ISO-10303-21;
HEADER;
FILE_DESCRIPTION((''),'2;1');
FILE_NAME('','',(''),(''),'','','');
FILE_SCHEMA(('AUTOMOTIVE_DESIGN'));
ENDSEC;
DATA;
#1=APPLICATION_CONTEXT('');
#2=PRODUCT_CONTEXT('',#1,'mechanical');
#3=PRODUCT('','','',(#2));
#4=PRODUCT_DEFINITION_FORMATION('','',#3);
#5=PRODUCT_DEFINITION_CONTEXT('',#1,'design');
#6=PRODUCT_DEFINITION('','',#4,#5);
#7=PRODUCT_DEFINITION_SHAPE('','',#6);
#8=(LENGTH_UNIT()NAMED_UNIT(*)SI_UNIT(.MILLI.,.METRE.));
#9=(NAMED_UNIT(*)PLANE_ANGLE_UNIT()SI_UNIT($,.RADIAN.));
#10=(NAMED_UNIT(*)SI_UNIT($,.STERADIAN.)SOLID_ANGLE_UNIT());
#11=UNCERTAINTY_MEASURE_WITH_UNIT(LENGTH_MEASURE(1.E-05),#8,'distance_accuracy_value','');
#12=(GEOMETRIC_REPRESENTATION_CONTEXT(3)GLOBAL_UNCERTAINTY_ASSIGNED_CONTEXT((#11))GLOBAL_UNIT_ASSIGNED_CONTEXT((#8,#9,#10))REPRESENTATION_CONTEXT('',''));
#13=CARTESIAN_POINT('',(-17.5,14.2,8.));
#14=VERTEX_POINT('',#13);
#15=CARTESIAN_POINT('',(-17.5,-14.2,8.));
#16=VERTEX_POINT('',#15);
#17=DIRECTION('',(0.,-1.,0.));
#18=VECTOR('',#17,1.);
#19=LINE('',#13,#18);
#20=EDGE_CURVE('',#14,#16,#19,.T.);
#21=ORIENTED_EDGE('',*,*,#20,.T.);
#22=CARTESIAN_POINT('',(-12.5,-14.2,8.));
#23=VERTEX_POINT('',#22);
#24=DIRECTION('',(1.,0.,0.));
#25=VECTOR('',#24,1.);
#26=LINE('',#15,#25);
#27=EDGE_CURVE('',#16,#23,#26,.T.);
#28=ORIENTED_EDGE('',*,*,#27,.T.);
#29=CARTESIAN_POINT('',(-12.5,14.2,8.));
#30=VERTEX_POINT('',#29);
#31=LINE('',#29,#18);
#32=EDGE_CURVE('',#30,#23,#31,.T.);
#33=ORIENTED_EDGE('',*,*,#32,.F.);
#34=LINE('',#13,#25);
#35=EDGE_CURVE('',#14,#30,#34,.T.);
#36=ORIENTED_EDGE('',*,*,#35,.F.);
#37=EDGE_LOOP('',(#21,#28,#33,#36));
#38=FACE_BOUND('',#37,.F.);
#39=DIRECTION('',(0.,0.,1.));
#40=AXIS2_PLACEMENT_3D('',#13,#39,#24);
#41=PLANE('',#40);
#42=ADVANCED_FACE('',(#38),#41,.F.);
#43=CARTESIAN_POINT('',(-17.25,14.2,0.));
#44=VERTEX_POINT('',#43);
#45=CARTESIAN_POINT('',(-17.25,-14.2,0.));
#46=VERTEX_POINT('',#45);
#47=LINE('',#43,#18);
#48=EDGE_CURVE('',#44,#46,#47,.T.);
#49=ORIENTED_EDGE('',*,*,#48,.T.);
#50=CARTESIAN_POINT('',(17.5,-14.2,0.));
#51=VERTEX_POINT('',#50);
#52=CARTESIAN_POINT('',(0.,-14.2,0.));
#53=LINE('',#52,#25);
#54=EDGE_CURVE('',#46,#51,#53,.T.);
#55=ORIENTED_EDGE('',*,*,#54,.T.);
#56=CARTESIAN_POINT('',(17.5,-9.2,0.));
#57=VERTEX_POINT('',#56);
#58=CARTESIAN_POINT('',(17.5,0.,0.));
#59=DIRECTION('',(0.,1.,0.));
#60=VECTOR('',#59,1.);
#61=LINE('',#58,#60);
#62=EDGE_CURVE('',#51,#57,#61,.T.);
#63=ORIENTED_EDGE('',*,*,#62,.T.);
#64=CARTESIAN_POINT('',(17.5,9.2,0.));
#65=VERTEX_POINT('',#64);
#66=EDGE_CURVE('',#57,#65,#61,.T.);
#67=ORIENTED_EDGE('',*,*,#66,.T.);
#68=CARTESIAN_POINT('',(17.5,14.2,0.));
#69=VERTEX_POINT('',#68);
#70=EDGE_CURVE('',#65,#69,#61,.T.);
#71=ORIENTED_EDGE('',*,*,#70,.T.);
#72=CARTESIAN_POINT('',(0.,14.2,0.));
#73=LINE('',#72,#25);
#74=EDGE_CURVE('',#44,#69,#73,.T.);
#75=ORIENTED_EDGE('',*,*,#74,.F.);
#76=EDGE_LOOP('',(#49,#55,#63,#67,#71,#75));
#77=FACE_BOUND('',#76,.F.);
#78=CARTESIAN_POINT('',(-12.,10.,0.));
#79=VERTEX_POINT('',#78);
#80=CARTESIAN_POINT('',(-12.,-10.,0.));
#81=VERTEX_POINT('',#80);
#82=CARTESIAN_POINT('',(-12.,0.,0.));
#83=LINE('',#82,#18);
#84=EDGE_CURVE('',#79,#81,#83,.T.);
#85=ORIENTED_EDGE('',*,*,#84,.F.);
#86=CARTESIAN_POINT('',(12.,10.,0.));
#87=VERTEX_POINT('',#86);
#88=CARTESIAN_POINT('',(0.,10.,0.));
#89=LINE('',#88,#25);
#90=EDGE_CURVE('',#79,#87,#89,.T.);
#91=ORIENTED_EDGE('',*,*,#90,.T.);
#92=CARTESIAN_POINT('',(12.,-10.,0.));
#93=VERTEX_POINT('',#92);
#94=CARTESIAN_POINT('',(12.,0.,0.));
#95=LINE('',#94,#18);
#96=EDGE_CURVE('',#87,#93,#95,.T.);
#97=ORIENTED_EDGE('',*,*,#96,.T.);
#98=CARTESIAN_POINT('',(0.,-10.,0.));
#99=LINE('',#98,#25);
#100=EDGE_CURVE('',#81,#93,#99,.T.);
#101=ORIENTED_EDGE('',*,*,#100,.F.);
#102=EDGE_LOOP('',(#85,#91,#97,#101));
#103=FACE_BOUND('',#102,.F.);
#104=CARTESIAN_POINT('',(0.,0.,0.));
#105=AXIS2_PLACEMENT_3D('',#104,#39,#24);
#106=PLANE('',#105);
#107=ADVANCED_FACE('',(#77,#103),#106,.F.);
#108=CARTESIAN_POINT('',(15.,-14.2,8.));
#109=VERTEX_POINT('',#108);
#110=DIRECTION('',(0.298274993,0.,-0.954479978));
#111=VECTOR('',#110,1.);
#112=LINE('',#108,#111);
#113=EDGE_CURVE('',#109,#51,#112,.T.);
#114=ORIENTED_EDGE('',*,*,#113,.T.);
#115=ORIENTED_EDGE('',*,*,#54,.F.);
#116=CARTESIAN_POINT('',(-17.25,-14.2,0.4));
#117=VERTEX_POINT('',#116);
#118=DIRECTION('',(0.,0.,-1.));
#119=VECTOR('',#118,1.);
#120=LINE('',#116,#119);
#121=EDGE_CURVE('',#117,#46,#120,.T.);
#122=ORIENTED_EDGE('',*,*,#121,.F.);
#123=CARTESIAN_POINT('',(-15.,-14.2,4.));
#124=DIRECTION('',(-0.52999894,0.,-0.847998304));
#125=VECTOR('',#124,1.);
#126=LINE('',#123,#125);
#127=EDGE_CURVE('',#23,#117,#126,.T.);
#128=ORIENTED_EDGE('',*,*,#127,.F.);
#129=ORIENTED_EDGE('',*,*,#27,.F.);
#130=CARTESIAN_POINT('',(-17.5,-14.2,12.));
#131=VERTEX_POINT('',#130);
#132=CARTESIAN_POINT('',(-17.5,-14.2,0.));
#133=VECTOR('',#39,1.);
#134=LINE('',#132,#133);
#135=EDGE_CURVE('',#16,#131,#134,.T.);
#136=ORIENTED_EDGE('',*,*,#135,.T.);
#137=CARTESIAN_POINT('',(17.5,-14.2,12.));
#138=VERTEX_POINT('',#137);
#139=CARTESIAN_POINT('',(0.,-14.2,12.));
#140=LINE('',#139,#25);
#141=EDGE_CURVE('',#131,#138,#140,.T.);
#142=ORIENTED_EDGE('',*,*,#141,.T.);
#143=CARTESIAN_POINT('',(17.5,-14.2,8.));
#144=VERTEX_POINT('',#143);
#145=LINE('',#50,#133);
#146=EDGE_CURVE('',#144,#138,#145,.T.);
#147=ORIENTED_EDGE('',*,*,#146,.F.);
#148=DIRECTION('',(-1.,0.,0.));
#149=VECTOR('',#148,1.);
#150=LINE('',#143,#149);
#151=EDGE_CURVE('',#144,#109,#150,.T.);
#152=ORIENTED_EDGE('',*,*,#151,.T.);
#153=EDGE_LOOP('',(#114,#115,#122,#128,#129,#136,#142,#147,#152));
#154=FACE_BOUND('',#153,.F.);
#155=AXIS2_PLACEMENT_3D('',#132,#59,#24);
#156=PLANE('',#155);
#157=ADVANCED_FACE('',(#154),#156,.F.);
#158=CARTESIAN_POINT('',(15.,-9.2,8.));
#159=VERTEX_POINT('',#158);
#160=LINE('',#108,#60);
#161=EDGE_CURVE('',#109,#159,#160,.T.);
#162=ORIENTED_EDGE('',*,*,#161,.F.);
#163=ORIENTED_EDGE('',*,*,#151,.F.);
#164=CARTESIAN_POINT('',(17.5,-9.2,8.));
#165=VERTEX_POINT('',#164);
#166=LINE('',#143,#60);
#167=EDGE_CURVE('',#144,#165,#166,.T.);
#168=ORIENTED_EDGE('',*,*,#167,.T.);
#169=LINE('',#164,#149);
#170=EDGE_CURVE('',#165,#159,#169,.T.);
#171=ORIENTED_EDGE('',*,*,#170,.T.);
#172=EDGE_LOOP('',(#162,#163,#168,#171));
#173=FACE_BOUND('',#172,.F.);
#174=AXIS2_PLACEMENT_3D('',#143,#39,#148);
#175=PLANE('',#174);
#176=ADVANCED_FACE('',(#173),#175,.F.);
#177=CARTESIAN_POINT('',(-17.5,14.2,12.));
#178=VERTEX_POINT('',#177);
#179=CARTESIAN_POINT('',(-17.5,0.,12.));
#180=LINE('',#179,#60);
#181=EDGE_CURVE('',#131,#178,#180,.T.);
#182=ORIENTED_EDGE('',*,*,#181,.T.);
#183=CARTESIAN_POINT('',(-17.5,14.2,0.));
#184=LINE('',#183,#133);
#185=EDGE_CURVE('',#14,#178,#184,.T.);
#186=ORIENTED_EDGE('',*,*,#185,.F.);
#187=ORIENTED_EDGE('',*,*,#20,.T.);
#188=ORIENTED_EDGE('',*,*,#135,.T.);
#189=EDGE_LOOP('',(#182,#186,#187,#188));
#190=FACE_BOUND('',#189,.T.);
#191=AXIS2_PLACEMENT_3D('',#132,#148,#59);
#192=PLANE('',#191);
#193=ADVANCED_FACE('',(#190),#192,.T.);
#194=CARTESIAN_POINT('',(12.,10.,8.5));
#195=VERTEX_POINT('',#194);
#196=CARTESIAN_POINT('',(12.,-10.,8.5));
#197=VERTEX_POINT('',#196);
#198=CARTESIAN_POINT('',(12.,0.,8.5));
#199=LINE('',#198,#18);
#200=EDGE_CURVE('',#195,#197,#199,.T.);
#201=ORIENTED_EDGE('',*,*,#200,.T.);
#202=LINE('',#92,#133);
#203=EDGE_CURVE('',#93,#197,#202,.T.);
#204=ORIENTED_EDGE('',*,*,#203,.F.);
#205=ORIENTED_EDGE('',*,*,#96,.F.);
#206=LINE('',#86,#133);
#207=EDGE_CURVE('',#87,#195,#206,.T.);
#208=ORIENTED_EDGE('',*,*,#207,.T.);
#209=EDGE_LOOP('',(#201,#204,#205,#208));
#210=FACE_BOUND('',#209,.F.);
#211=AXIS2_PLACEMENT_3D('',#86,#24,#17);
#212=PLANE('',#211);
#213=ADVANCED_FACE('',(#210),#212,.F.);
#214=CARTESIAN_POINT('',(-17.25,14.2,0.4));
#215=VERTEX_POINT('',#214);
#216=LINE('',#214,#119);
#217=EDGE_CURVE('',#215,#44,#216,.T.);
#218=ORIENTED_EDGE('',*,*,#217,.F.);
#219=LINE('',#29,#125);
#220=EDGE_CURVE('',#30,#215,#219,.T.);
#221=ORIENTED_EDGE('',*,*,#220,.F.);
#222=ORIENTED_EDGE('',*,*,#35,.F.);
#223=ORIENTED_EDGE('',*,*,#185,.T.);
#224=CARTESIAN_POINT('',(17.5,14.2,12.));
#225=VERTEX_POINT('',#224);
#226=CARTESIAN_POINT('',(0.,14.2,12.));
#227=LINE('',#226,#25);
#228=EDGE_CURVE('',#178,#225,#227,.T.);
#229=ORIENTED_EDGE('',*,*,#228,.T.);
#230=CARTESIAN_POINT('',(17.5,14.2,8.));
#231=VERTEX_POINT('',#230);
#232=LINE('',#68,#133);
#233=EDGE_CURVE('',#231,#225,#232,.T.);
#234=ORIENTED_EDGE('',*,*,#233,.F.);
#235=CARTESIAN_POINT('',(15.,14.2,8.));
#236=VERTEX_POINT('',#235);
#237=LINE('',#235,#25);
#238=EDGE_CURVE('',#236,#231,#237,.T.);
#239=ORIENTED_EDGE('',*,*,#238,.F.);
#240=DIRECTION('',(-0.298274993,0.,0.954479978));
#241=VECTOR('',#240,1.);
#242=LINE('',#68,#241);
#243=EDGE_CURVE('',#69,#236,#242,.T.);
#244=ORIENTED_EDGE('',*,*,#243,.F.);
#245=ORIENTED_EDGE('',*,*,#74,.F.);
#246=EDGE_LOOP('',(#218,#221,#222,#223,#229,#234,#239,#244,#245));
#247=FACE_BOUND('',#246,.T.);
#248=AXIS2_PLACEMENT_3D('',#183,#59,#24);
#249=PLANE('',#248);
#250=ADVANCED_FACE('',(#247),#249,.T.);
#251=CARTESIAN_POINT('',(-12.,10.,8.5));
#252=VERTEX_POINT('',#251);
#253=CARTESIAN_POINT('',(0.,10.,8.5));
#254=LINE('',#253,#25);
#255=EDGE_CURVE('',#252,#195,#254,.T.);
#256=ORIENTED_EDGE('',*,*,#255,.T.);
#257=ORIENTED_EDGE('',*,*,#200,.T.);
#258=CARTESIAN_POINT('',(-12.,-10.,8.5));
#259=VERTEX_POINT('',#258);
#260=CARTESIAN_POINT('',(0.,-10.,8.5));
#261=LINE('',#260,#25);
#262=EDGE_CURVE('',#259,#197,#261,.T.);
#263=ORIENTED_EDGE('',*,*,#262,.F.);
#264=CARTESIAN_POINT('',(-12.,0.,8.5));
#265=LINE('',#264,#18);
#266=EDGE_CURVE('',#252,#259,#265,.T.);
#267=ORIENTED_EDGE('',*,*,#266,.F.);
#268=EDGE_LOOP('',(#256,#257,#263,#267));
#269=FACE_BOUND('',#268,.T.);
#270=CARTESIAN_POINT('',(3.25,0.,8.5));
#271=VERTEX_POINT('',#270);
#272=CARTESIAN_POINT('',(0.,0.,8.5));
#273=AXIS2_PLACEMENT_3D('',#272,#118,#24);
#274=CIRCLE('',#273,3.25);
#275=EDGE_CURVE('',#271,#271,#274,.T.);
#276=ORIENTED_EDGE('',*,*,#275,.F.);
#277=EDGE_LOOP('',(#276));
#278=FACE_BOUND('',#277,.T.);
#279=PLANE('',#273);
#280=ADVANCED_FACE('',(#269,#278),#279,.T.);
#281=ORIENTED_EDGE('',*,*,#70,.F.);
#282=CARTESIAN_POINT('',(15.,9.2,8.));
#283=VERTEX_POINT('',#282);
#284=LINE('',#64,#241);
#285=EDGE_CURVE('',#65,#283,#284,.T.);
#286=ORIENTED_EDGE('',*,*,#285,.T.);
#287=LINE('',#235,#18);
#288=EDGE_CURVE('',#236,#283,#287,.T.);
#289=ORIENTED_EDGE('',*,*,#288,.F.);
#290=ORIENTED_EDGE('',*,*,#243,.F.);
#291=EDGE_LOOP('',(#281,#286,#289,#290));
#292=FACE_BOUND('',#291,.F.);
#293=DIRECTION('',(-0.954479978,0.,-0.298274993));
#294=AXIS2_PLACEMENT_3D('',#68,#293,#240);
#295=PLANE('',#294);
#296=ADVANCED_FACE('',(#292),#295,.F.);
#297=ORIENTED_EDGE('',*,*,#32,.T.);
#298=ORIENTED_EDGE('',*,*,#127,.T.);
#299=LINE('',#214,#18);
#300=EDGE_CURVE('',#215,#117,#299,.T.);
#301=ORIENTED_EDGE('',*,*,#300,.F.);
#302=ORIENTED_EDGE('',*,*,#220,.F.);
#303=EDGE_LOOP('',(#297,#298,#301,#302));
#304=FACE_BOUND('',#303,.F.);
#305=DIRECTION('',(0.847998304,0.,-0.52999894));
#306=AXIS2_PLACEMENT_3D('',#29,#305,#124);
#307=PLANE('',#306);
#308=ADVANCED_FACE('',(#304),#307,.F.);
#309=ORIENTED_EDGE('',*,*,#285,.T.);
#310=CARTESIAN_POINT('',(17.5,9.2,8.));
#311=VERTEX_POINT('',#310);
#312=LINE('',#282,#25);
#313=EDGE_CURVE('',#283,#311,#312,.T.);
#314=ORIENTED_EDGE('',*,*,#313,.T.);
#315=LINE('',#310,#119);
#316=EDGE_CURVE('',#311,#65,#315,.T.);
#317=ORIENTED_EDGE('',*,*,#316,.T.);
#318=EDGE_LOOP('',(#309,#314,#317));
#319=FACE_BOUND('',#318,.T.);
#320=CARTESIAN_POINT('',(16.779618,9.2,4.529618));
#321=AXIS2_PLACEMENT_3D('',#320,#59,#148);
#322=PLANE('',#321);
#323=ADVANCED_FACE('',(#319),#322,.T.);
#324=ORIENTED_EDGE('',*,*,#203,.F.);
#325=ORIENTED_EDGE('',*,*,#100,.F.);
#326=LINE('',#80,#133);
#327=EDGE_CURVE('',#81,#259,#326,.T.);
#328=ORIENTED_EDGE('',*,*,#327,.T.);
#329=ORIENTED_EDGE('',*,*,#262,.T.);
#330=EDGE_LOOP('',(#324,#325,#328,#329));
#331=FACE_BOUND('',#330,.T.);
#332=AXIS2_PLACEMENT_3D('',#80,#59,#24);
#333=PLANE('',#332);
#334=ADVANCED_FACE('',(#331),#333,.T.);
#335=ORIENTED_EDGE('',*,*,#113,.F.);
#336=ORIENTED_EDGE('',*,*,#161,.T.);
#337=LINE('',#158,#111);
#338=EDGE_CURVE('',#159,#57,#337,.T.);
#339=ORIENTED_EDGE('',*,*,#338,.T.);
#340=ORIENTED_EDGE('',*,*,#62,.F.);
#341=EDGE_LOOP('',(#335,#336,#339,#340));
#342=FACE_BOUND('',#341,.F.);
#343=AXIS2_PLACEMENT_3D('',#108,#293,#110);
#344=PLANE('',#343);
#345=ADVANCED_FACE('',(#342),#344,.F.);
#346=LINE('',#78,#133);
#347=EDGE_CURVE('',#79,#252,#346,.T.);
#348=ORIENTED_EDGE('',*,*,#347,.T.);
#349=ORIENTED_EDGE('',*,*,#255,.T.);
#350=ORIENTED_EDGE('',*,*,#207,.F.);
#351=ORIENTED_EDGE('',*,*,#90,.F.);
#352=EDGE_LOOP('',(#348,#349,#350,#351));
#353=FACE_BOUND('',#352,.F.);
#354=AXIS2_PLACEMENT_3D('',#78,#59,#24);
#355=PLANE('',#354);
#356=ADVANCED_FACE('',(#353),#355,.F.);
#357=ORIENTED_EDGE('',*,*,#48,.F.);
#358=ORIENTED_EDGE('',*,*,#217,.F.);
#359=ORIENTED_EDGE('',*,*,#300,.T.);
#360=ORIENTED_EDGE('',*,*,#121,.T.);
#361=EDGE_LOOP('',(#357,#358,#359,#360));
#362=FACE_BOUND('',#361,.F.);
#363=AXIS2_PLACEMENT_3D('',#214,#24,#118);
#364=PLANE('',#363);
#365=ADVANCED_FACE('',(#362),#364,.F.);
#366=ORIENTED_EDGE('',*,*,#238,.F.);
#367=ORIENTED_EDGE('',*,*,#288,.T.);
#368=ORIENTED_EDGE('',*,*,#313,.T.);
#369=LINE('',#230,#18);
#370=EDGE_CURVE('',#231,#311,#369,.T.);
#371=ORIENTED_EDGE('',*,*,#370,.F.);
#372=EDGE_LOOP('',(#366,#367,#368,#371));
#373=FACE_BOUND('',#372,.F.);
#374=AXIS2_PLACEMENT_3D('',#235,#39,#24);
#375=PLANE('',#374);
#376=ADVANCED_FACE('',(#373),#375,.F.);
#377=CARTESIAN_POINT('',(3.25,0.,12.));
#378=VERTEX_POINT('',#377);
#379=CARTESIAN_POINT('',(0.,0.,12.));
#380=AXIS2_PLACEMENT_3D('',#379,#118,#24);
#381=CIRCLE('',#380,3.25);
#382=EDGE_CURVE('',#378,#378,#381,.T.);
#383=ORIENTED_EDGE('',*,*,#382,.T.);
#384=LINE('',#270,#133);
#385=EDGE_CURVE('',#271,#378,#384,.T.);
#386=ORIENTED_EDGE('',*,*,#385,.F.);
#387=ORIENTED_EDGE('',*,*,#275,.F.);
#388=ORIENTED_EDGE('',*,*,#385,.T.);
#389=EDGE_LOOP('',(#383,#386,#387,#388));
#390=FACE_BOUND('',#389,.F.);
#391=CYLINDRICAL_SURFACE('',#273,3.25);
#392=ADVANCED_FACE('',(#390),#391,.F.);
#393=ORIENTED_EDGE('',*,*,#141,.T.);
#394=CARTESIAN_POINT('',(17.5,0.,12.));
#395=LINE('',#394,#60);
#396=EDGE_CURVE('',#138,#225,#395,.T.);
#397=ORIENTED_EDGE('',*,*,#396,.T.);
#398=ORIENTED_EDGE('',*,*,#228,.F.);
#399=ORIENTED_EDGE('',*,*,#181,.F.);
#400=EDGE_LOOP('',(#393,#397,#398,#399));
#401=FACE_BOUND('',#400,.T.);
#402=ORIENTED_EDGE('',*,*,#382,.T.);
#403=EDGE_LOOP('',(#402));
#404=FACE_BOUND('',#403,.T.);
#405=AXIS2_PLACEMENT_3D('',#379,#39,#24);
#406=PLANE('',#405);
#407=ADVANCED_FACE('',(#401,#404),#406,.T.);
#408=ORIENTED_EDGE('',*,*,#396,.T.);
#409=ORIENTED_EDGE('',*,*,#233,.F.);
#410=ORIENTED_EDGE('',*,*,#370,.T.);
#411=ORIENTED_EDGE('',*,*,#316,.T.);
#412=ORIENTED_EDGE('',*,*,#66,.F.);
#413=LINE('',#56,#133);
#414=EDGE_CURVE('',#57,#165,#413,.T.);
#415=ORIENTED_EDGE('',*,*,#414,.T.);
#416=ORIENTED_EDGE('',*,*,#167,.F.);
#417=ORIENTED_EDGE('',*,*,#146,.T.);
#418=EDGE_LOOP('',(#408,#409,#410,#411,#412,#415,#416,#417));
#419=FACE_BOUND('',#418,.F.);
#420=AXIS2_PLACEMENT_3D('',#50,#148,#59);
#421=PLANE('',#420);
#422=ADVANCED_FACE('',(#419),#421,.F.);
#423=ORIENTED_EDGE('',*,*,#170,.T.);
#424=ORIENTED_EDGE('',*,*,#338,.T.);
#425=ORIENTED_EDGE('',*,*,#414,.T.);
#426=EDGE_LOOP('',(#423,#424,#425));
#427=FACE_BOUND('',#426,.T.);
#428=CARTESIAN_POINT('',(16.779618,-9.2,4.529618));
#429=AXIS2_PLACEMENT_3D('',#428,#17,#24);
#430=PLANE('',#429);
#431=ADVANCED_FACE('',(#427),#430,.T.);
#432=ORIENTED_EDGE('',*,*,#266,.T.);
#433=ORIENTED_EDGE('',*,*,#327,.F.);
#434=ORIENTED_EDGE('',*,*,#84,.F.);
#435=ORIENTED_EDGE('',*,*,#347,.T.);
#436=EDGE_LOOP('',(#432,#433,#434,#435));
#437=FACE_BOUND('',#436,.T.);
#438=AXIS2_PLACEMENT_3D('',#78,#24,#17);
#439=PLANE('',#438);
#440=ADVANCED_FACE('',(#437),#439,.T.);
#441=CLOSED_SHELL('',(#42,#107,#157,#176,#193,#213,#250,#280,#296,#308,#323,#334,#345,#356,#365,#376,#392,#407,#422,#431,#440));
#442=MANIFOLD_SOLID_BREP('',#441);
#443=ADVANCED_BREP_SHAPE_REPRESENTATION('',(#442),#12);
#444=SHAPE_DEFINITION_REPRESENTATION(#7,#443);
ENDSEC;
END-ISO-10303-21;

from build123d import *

# Parameters (mm, degrees)
F0_W      = 35
F0_H      = 28.4
F1_DEPTH  = 12
F3_DEPTH  = 5
F5_DEPTH  = 5
F7_DEPTH  = 36.3
F8_W      = 24
F8_H      = 20
F9_DEPTH  = 8.5
F10_R     = 3.25
F11_DEPTH = 25
F13_DEPTH = 28.4


with BuildPart() as f1:
    # F0 (on Top) → F1 (new body)
    with BuildSketch(Plane.XY):
        Rectangle(F0_W, F0_H)
    extrude(amount=F1_DEPTH)

    # F2 (on face) → F3 (cut)
    with BuildSketch(Plane.XZ.offset(14.2)):
        Polygon((15, 8), (17.5, 0), (17.5, 8), align=None)
    extrude(amount=-F3_DEPTH, mode=Mode.SUBTRACT)

    # F4 (on face) → F5 (cut)
    with BuildSketch(Plane(origin=(0, 14.2, 0), x_dir=(-1, 0, 0), z_dir=(0, 1, 0))):
        Polygon((-15, 8), (-17.5, 8), (-17.5, 0), align=None)
    extrude(amount=-F5_DEPTH, mode=Mode.SUBTRACT)

    # F6 (on face) → F7 (cut)
    with BuildSketch(Plane(origin=(0, 14.2, 0), x_dir=(-1, 0, 0), z_dir=(0, 1, 0))):
        Polygon((12.5, 8), (17.5, 0), (17.5, 8), align=None)
    extrude(amount=-F7_DEPTH, mode=Mode.SUBTRACT)

    # F8 (on face) → F9 (cut)
    with BuildSketch(Plane(origin=(0, 0, 0), x_dir=(1, 0, 0), z_dir=(0, 0, -1))):
        Rectangle(F8_W, F8_H)
    extrude(amount=-F9_DEPTH, mode=Mode.SUBTRACT)

    # F10 (on face) → F11 (cut)
    with BuildSketch(Plane(origin=(0, 0, 8.5), x_dir=(1, 0, 0), z_dir=(0, 0, -1))):
        Circle(F10_R)
    extrude(amount=-F11_DEPTH, mode=Mode.SUBTRACT)

    # F12 (on face) → F13 (cut, through all)
    with BuildSketch(Plane(origin=(0, 14.2, 0), x_dir=(-1, 0, 0), z_dir=(0, 1, 0))):
        Polygon((17.25, 0), (17.5, 0), (17.25, 0.4), align=None)
    extrude(amount=-F13_DEPTH, mode=Mode.SUBTRACT)


solid = f1.part
